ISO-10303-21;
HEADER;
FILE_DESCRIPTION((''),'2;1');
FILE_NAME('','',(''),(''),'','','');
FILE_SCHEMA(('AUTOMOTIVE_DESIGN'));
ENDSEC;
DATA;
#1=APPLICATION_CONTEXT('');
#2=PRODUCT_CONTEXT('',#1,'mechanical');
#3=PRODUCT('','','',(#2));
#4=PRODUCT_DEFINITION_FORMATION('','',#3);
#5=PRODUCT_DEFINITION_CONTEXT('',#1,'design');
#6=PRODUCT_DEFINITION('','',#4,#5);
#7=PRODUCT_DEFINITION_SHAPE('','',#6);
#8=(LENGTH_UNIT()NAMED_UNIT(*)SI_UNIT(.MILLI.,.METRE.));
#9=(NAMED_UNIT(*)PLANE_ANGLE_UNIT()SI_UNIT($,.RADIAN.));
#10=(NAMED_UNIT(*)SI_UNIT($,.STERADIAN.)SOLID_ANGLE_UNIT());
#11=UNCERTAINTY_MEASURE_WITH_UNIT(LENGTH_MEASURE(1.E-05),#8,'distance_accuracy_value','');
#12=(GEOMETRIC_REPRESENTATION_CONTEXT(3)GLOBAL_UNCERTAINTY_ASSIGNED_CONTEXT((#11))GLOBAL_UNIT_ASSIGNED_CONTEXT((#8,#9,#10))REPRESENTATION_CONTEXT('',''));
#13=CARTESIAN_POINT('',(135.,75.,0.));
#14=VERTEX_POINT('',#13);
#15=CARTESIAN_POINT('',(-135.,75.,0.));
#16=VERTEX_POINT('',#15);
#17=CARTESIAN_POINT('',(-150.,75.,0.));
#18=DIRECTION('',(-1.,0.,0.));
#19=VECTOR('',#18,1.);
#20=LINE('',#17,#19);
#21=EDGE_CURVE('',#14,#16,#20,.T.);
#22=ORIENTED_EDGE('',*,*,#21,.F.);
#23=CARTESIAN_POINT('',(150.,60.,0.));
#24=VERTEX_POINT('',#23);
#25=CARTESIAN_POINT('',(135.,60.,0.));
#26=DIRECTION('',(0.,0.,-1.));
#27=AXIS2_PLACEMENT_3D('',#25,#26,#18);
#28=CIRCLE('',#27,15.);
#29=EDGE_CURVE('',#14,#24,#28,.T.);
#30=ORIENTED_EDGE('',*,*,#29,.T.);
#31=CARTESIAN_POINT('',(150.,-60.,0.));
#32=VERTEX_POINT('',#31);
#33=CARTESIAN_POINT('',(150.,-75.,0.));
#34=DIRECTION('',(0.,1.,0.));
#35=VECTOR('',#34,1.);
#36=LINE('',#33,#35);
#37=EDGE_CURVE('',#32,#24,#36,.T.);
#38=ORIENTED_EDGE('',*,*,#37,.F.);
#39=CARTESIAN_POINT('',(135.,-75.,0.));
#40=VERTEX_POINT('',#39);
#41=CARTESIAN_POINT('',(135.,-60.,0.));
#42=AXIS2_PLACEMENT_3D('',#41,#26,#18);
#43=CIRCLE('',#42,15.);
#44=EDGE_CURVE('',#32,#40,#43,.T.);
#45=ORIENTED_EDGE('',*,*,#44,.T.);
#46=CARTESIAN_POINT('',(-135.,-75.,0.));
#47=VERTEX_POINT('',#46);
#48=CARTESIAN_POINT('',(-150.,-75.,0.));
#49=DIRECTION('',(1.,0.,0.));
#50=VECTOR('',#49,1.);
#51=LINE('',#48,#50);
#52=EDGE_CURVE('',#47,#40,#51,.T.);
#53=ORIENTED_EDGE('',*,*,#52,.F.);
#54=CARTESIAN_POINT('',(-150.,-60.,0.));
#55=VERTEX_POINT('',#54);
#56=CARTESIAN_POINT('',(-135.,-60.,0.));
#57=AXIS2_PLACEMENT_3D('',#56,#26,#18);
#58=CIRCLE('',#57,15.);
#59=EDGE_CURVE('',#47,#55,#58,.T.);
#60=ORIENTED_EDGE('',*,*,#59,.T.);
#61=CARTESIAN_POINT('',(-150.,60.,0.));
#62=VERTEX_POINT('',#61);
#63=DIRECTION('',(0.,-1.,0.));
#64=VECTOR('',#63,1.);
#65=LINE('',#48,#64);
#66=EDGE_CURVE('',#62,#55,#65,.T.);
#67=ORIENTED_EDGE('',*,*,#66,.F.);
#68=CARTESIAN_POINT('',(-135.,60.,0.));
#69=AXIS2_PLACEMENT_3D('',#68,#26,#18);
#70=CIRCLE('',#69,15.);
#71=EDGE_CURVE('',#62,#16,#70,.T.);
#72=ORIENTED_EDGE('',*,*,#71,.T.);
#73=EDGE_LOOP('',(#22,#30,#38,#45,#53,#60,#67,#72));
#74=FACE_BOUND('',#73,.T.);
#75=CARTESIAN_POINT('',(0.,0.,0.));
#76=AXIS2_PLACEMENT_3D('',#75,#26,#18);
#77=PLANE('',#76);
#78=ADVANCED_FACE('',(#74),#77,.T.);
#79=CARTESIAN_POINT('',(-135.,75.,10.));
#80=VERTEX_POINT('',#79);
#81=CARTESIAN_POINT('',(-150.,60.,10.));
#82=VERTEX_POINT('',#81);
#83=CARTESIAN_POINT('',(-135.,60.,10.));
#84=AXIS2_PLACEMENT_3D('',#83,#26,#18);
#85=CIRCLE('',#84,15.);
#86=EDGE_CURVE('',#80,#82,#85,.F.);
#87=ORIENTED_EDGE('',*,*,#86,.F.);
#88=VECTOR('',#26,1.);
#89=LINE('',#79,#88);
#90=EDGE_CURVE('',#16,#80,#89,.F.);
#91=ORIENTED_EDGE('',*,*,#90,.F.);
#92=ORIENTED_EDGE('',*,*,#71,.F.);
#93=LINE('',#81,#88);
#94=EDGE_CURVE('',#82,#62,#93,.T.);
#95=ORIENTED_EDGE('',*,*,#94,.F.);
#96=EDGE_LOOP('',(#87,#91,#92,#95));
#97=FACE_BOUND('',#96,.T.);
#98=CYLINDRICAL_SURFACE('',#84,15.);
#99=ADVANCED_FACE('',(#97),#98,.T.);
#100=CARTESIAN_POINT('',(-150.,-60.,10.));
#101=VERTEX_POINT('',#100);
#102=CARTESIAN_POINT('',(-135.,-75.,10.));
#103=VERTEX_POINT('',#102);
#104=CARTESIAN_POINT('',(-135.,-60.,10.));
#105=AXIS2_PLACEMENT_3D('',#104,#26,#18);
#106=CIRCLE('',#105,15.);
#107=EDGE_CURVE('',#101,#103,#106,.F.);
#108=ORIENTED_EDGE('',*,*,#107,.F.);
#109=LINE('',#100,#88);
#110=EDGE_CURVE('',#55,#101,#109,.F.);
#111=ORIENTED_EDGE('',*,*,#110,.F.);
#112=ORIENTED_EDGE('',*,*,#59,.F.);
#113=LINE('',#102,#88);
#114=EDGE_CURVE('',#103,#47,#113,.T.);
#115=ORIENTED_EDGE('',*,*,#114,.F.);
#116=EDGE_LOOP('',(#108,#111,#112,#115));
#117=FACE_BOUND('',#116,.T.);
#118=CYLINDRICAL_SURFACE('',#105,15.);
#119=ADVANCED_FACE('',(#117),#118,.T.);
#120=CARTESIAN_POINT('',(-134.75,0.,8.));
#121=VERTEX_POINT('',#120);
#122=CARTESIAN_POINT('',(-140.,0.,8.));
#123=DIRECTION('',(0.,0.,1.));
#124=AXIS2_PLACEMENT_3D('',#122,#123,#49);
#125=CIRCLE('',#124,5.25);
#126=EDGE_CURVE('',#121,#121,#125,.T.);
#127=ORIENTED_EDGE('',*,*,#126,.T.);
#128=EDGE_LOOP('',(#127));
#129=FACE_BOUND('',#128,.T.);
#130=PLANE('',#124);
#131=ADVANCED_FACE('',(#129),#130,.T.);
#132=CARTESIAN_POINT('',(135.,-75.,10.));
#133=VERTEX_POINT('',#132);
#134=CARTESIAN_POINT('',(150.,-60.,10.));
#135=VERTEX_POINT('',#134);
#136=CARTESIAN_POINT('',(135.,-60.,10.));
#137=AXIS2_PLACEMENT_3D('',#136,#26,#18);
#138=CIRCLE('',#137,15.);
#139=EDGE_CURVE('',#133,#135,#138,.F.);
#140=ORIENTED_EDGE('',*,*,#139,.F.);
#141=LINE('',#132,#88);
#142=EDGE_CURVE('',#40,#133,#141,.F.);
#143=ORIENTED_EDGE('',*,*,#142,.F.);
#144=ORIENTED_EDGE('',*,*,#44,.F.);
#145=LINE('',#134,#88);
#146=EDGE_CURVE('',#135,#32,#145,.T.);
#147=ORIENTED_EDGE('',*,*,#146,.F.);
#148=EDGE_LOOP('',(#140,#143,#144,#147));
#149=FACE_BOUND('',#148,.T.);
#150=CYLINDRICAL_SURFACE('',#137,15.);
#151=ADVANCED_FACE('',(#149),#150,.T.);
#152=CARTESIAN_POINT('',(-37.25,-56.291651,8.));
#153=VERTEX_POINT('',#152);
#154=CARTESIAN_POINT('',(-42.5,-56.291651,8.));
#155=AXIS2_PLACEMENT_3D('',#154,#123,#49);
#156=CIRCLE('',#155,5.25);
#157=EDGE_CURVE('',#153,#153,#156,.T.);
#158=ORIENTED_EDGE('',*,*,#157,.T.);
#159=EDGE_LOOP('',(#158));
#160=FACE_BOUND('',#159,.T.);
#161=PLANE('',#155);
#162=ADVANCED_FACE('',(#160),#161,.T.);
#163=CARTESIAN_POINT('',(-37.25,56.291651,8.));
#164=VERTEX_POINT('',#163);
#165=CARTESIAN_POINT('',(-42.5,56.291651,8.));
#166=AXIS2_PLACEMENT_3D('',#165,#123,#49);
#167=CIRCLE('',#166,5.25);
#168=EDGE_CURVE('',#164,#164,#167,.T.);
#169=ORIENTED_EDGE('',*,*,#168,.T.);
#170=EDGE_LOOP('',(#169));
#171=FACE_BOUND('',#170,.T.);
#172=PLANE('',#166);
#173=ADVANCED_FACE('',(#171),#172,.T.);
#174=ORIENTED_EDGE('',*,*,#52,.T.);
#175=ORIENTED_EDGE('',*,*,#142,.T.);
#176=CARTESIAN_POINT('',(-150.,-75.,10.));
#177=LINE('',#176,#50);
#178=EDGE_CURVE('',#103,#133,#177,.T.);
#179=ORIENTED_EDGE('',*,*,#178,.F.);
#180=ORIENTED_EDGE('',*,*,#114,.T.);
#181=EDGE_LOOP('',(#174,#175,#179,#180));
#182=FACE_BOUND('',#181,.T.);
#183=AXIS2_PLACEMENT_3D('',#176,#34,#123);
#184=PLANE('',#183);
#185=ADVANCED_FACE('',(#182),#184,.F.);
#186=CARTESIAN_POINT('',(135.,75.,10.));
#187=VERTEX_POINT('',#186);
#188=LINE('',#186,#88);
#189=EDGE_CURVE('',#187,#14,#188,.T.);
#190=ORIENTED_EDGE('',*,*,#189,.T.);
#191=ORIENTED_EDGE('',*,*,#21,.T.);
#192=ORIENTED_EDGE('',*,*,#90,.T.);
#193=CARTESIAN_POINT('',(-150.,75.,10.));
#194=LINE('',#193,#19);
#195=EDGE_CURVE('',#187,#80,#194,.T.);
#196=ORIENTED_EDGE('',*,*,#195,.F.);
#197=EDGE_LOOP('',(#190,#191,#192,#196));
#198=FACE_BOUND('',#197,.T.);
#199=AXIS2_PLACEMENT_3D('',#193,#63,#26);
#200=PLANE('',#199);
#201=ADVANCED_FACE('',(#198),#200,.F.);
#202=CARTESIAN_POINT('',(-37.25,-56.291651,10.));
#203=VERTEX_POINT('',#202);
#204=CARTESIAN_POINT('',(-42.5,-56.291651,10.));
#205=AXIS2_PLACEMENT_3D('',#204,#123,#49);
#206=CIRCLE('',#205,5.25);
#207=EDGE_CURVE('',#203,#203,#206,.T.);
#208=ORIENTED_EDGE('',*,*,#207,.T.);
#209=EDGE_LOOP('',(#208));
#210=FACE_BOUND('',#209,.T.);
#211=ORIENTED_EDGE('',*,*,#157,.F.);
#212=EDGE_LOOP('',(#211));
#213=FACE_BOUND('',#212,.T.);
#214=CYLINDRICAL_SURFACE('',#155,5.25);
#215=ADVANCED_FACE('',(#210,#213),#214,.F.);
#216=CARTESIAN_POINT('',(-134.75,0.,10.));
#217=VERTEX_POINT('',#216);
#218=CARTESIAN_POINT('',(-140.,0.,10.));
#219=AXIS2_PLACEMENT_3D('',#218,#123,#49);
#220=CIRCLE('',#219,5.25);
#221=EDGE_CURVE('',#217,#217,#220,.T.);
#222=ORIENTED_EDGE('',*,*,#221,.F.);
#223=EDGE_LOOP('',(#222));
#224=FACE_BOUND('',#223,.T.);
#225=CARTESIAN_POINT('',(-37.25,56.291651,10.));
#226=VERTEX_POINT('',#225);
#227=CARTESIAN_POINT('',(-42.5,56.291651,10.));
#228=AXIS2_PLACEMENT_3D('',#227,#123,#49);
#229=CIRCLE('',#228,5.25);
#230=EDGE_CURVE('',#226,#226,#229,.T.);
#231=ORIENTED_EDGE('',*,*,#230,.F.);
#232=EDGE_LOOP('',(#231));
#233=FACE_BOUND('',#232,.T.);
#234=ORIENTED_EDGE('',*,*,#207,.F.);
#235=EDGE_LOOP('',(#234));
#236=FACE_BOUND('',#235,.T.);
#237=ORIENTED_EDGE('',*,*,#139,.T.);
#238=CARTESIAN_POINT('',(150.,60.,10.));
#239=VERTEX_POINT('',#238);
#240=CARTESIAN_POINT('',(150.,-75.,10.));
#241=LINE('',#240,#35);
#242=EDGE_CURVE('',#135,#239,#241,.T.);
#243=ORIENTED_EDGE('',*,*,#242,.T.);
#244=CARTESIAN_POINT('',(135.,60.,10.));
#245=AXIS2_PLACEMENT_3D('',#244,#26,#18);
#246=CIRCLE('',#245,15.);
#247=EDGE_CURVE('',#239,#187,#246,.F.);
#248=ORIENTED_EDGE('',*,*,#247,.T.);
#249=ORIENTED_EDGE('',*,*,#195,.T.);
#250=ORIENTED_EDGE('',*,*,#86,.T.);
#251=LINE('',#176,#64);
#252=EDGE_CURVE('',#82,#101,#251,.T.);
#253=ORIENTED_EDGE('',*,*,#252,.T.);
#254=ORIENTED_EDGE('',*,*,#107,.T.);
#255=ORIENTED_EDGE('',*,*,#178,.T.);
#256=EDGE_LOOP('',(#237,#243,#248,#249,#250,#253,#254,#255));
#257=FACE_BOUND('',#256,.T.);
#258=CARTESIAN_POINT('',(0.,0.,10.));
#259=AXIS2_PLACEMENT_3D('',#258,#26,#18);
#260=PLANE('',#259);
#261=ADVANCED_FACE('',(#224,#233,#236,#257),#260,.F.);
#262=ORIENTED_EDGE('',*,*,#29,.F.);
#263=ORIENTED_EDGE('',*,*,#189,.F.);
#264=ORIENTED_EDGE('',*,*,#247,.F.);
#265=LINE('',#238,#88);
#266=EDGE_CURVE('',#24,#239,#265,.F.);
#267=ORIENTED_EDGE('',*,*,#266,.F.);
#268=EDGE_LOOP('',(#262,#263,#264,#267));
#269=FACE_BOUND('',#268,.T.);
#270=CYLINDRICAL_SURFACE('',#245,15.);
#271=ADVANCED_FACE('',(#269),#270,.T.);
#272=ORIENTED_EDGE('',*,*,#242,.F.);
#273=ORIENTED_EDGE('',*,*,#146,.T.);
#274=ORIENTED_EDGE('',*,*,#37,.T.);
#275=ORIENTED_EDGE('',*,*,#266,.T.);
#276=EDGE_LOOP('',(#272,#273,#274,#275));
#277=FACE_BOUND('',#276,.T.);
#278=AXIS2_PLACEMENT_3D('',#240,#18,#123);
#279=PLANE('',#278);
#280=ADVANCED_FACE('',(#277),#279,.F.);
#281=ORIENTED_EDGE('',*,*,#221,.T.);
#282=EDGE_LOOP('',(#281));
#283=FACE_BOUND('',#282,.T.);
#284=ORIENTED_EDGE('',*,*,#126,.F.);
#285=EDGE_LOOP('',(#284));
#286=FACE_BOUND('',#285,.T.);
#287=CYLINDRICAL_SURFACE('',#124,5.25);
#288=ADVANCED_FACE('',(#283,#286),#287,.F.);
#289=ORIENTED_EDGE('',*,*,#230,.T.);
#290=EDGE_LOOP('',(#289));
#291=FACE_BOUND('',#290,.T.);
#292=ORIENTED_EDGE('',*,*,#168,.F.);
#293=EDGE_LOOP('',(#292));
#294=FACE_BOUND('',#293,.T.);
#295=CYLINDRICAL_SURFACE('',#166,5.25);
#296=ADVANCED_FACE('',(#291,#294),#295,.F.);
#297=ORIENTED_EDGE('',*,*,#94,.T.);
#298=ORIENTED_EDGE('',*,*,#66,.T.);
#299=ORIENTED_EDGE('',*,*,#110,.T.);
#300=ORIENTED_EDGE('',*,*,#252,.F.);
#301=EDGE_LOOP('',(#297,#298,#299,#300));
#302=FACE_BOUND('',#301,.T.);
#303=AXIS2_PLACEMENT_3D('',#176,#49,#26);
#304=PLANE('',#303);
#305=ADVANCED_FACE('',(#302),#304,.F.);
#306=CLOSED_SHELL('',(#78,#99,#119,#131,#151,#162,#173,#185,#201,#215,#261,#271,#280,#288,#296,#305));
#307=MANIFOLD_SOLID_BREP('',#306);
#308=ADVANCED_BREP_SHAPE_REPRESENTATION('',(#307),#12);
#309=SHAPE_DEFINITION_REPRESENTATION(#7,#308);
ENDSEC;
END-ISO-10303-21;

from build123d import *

# Parameters (mm, degrees)
SZKIC1_W                    = 300
SZKIC1_H                    = 150
DODANIE_WYCI_GNI_CIE1_DEPTH = 10
SZKIC2_R                    = 5.25
WYTNIJ_WYCI_GNI_CIE1_DEPTH  = 2
ZAOKR_GLENIE1_R             = 15


with BuildPart() as part:
    # Szkic1 → Dodanie-wyciągnięcie1 (new body)
    with BuildSketch(Plane.XY):
        Rectangle(SZKIC1_W, SZKIC1_H)
    extrude(amount=DODANIE_WYCI_GNI_CIE1_DEPTH)

    # Szkic2 → Wytnij-wyciągnięcie1 (cut)
    with BuildSketch(Plane.XY.offset(10)):
        with Locations((-140, 0)):
            Circle(SZKIC2_R)
        with Locations((-42.5, 56.291651246)):
            Circle(SZKIC2_R)
        with Locations((-42.5, -56.291651246)):
            Circle(SZKIC2_R)
    extrude(amount=-WYTNIJ_WYCI_GNI_CIE1_DEPTH, mode=Mode.SUBTRACT)

    # Zaokrąglenie1
    zaokr_glenie1_edges = [part.edges().sort_by_distance(p)[0] for p in [
        (150, -75, 5),
        (-150, -75, 5),
        (-150, 75, 5),
        (150, 75, 5),
    ]]
    fillet(zaokr_glenie1_edges, radius=ZAOKR_GLENIE1_R)


solid = part.part
